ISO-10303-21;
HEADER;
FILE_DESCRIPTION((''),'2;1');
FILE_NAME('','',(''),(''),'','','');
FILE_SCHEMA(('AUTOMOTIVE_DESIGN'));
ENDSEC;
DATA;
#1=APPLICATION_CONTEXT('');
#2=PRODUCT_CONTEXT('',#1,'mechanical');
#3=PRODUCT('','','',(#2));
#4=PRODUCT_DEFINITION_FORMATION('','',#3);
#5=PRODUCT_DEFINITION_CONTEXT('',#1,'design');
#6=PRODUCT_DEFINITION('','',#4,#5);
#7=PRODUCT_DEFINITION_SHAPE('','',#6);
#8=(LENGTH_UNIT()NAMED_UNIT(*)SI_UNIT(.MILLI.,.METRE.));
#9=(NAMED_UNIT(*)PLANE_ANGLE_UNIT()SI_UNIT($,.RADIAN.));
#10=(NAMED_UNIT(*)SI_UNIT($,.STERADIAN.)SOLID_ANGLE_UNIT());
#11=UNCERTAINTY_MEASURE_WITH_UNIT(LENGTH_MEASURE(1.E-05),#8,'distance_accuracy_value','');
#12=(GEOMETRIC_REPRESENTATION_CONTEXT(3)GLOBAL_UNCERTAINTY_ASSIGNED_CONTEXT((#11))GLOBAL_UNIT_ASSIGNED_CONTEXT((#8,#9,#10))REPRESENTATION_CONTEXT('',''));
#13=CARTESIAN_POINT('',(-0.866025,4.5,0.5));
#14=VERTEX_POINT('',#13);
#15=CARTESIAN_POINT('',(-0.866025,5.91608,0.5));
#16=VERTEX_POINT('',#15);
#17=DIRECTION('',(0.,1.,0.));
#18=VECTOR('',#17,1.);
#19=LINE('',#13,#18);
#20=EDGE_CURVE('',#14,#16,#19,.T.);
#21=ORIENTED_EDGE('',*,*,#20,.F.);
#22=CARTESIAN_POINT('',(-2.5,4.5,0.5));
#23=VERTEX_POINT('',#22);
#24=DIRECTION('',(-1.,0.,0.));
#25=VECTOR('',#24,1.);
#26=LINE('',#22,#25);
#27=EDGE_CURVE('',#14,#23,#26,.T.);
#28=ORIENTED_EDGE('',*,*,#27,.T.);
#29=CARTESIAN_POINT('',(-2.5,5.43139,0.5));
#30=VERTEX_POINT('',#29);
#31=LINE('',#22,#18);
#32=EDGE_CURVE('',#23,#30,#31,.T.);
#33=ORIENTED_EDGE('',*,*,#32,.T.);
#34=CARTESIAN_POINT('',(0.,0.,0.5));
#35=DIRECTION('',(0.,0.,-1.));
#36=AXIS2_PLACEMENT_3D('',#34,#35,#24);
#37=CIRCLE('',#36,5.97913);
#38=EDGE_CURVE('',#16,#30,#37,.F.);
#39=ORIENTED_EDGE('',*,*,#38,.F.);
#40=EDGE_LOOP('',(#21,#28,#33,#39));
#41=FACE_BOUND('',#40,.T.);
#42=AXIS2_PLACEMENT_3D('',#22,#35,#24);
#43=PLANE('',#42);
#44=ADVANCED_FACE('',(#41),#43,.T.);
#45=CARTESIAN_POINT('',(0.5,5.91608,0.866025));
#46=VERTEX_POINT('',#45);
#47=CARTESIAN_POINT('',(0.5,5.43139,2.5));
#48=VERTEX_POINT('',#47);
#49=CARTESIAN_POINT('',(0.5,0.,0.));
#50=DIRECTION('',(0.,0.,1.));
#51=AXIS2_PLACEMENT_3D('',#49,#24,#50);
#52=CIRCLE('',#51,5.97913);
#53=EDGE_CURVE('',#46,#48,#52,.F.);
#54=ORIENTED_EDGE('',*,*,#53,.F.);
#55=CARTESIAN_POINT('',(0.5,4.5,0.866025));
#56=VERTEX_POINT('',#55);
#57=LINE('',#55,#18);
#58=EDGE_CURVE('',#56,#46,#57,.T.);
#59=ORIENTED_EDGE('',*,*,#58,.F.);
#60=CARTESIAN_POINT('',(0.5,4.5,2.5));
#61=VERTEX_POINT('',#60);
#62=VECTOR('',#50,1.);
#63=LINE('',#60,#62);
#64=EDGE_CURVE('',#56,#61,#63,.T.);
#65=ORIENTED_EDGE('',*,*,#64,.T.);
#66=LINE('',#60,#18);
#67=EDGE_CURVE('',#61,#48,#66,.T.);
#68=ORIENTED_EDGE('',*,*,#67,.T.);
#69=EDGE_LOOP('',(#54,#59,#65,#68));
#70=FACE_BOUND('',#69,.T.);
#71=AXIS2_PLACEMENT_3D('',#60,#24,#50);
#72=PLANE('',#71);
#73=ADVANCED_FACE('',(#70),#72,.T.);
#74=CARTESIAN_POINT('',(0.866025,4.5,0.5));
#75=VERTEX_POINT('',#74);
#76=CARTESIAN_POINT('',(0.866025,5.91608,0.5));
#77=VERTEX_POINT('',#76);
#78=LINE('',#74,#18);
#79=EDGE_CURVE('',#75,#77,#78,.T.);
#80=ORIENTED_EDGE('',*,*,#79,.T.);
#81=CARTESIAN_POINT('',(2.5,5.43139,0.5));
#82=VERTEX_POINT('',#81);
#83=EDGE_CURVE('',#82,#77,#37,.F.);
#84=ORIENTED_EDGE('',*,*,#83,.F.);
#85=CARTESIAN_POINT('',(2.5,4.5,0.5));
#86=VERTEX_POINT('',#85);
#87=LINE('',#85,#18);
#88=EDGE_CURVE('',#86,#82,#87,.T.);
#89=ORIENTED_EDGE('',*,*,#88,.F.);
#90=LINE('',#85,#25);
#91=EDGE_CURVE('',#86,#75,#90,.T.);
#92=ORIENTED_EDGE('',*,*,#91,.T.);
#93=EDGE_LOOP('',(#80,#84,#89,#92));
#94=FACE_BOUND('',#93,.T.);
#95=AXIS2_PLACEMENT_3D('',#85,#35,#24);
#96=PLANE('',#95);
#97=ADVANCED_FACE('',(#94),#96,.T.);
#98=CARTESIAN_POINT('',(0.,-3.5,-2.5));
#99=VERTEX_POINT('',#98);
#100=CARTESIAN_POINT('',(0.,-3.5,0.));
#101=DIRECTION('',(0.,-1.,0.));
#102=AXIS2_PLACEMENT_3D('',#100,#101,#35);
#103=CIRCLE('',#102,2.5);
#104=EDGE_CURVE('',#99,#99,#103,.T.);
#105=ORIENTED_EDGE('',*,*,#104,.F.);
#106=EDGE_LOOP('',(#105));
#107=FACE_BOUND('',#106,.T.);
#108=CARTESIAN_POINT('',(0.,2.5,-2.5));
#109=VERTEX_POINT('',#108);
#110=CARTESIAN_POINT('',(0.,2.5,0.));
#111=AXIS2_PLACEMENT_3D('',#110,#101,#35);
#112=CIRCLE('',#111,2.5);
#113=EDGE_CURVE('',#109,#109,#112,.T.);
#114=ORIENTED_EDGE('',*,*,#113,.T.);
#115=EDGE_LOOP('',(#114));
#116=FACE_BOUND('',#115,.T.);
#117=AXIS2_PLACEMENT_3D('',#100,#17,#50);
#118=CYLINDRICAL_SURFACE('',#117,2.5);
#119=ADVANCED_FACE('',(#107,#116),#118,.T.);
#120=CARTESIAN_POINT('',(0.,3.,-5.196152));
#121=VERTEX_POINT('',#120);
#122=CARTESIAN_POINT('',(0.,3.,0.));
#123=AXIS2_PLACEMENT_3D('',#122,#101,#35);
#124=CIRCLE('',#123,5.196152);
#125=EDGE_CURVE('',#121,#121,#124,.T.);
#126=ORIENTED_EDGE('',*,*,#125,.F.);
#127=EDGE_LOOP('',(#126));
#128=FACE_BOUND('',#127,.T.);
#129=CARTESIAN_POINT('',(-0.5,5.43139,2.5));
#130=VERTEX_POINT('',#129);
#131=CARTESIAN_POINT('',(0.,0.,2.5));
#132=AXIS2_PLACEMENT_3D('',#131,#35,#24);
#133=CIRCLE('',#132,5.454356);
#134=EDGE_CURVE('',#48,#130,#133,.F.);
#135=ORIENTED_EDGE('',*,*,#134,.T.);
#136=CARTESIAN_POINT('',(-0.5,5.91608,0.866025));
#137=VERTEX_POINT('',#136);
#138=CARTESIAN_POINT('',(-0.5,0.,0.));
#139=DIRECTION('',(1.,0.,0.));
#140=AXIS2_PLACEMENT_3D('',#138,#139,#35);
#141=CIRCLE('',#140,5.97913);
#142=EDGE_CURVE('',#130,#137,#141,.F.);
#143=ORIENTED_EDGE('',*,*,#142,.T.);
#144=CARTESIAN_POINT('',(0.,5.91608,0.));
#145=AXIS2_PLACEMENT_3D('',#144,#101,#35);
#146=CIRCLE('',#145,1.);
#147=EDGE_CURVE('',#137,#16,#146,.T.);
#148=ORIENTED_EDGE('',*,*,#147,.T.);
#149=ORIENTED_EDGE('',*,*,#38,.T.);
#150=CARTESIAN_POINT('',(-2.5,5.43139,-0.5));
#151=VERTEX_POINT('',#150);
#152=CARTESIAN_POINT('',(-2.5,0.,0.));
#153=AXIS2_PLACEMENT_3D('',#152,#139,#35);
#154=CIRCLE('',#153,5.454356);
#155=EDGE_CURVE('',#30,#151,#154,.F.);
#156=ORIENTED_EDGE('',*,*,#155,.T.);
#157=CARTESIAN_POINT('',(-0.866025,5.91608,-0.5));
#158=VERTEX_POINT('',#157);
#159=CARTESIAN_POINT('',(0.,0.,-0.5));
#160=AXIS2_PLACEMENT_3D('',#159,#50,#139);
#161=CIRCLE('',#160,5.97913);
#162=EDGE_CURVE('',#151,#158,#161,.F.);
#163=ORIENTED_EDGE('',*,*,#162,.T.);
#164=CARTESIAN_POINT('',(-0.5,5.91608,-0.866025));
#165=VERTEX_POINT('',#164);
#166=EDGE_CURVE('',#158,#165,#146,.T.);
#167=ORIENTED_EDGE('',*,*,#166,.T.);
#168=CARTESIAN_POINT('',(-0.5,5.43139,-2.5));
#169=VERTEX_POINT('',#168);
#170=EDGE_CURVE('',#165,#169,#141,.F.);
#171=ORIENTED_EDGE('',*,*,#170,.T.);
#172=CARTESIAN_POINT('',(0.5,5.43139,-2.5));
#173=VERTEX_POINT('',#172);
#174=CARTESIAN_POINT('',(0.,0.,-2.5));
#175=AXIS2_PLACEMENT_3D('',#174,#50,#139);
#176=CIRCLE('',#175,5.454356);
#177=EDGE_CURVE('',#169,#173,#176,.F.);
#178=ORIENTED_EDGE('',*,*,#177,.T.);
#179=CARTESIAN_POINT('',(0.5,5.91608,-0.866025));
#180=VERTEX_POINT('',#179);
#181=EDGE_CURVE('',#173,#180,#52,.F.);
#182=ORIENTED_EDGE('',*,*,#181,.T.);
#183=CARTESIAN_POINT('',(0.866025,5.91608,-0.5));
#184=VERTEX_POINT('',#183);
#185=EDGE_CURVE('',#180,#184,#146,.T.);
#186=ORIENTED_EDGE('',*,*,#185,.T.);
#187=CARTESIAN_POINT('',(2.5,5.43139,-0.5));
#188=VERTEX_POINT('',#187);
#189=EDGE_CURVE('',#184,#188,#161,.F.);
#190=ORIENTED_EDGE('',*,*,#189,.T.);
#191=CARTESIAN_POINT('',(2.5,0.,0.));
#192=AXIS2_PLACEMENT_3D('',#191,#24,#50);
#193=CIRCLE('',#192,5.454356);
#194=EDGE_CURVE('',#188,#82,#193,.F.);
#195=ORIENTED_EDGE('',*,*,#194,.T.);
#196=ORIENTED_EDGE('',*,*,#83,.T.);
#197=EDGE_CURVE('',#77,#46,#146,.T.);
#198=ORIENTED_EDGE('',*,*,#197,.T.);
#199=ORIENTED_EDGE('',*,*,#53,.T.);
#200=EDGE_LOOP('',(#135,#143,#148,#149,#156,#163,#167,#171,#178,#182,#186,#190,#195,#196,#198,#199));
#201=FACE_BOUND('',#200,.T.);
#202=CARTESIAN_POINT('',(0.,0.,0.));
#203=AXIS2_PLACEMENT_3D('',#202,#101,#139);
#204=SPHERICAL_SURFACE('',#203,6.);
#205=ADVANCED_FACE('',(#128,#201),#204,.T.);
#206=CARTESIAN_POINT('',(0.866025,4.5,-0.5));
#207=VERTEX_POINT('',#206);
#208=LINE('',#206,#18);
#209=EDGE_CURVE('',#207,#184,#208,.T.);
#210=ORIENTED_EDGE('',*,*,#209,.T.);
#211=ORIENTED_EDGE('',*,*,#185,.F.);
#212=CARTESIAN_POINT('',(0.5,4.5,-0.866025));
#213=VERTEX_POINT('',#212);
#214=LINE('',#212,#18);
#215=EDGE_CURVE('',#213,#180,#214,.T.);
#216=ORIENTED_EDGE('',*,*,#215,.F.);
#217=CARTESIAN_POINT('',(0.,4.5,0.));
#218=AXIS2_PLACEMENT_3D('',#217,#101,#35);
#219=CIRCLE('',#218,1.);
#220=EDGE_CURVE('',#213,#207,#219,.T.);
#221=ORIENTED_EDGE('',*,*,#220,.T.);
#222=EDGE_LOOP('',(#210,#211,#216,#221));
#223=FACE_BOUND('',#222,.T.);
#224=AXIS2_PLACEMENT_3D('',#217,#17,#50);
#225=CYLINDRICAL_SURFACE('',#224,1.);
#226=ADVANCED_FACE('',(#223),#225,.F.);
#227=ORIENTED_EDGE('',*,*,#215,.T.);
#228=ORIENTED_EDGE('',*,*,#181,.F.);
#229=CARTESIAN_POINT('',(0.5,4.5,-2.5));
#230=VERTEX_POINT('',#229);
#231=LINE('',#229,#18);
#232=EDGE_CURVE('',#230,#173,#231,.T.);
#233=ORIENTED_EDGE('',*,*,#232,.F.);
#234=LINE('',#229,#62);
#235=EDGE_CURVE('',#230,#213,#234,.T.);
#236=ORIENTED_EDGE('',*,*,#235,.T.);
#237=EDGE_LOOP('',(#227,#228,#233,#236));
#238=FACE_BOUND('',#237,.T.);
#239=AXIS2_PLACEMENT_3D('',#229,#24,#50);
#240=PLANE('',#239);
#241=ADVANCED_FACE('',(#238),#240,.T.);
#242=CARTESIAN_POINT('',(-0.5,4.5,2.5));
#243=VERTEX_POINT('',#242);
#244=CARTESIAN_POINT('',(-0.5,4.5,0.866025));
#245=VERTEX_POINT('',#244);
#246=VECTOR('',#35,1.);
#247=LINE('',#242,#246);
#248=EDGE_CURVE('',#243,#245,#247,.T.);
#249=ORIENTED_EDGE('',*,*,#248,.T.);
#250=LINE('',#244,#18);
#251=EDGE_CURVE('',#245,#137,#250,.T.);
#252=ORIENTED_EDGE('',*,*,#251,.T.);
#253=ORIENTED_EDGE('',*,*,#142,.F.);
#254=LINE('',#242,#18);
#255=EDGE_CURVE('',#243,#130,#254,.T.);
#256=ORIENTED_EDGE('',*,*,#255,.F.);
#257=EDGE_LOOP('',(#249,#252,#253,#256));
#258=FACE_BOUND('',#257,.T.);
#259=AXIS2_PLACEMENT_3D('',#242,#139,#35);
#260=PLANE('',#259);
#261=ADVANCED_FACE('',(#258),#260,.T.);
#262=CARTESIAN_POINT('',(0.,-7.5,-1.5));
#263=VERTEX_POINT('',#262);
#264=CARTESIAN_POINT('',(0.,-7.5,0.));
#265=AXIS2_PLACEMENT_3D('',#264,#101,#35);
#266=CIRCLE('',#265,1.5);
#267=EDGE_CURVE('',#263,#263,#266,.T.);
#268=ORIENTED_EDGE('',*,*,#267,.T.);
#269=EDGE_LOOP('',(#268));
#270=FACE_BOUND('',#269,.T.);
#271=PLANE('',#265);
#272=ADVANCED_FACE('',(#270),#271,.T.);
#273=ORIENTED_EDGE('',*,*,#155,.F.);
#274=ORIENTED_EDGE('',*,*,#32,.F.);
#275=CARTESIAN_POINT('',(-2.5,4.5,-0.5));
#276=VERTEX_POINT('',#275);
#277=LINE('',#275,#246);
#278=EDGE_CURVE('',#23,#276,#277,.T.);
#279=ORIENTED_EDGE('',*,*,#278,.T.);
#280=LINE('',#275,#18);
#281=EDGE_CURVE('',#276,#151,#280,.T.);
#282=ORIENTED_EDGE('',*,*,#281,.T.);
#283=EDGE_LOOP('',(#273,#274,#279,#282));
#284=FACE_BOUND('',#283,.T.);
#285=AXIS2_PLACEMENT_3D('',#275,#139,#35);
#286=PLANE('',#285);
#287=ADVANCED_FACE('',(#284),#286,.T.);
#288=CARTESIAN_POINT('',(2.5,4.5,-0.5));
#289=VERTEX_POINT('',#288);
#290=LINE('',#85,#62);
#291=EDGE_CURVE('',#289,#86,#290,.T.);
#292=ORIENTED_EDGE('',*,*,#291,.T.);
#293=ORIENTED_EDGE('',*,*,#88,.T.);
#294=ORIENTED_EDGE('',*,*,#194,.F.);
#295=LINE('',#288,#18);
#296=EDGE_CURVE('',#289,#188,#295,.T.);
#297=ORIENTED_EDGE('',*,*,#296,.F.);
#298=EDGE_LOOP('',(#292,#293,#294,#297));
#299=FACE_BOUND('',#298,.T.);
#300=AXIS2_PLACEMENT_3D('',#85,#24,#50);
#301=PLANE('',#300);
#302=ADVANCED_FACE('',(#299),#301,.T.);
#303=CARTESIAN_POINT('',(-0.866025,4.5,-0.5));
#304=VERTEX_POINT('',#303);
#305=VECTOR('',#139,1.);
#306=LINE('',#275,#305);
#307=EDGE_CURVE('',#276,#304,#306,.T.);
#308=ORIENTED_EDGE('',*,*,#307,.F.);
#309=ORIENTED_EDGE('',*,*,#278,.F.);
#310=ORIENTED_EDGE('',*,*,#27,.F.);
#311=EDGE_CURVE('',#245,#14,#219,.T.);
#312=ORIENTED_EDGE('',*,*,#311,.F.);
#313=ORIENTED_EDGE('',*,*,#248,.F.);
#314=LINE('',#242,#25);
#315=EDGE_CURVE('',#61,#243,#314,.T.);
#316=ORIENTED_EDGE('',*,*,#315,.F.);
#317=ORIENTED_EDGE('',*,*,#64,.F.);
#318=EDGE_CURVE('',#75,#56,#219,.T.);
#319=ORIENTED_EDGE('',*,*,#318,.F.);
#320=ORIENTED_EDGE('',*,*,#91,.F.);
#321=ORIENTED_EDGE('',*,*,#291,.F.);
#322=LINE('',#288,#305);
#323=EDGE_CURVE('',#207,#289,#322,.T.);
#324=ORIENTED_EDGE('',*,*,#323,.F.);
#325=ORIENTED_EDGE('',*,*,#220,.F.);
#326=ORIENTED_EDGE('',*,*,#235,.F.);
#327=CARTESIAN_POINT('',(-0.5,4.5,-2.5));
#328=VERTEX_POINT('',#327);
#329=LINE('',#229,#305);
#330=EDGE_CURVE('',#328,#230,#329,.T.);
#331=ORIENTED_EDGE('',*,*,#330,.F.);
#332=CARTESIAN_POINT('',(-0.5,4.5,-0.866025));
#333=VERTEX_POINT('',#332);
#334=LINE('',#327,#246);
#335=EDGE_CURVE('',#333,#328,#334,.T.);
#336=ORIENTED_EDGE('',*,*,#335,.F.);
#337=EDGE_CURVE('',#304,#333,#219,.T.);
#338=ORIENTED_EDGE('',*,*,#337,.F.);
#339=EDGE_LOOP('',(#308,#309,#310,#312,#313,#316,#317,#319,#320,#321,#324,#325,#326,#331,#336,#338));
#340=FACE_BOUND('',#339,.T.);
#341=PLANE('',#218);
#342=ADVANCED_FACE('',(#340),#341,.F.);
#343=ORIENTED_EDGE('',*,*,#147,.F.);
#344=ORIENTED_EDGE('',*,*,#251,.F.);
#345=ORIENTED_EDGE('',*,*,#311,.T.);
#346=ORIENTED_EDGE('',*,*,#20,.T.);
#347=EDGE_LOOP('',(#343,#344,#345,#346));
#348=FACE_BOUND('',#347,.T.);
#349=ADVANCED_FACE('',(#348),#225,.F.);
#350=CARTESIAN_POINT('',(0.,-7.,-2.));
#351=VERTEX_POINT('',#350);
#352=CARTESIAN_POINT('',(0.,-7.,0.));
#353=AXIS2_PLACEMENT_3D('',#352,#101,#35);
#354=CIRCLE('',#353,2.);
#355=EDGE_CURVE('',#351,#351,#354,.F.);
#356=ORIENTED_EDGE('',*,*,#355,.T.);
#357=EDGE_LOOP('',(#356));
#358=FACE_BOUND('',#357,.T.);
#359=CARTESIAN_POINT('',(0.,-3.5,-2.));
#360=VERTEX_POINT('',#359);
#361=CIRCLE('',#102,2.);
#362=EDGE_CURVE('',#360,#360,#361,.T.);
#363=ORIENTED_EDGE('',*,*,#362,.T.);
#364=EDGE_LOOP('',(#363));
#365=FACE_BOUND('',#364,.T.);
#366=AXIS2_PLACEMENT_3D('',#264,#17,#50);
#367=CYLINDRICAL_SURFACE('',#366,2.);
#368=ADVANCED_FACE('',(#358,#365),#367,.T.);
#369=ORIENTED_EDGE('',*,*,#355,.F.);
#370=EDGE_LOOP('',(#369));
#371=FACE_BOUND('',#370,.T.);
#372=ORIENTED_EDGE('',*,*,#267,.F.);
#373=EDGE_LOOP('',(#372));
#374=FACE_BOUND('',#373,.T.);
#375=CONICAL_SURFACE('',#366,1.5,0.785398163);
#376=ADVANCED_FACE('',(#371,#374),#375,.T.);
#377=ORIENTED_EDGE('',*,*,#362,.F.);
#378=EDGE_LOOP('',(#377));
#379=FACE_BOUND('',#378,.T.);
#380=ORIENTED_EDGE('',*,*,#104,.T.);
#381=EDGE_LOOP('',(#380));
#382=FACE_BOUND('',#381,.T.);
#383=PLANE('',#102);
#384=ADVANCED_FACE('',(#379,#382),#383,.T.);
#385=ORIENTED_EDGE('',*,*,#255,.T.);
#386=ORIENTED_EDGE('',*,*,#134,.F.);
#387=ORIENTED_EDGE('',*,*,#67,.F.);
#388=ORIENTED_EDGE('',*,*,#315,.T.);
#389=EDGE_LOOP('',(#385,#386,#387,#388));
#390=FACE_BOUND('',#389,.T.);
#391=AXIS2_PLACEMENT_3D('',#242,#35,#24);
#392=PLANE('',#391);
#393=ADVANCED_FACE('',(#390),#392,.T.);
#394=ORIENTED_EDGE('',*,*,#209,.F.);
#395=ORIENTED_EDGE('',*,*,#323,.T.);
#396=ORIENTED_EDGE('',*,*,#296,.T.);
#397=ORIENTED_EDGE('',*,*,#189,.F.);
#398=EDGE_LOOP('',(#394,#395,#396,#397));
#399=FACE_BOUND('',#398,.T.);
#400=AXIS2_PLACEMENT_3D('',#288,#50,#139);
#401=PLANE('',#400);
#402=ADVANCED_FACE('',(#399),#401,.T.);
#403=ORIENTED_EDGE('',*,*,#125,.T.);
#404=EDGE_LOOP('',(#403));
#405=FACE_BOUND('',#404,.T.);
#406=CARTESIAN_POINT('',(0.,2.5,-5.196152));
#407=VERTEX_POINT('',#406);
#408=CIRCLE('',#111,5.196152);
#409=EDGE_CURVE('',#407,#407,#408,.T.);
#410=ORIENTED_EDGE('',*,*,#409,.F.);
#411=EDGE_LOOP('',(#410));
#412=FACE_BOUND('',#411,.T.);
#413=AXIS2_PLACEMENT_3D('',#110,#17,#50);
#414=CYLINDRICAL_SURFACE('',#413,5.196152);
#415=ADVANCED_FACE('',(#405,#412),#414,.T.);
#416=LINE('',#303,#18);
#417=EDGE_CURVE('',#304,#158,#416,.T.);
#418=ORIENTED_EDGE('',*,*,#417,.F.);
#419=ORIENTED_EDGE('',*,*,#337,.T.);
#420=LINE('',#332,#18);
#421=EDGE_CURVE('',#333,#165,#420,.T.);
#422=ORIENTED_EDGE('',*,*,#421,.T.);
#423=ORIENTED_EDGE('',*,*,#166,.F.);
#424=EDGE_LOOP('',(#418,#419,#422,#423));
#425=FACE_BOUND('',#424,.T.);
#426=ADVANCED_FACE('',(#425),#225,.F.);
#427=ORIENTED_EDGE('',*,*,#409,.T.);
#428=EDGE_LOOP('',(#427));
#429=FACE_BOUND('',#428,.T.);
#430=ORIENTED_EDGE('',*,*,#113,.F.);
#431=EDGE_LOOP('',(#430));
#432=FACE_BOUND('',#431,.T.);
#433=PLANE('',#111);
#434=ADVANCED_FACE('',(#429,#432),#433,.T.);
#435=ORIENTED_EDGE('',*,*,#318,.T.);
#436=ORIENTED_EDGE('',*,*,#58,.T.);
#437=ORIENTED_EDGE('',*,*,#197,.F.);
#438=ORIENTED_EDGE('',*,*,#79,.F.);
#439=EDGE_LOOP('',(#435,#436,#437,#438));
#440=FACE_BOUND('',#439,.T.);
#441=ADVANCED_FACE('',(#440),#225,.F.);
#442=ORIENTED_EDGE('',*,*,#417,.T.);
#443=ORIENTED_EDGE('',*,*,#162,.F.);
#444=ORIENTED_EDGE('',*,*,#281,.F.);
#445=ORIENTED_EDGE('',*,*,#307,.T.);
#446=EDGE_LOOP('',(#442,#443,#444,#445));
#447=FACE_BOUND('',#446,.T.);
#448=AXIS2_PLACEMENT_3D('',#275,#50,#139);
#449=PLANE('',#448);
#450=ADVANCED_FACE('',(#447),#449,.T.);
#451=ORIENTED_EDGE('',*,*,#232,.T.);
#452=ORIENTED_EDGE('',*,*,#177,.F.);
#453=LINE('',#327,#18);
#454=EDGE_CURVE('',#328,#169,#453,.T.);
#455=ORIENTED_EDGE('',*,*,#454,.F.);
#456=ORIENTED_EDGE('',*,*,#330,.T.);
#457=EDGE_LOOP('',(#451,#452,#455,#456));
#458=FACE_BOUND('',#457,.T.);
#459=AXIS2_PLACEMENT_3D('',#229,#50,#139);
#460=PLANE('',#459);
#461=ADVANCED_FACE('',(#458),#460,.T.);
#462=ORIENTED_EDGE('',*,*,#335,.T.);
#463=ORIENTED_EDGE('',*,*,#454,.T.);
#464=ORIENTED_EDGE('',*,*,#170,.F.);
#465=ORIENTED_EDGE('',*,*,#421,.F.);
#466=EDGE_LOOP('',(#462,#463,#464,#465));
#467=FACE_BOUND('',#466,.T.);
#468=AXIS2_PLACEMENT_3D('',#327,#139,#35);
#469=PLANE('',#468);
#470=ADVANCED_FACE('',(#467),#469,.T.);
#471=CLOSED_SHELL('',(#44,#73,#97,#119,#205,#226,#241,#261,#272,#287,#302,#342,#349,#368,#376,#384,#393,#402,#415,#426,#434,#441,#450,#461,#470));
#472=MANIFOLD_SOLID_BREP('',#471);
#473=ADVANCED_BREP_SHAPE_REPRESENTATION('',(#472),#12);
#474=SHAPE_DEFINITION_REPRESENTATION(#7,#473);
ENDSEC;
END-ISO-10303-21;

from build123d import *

# Parameters (mm, degrees)
ESQUISSE2_R             = 5.196152423
BOSS_EXTRU_1_DEPTH      = 0.5
ESQUISSE3_R             = 2.5
BOSS_EXTRU_2_DEPTH      = 6
ESQUISSE4_R             = 2
BOSS_EXTRU_3_DEPTH      = 4
CHANFREIN1_SIZE         = 0.5
ENL_V_MAT_EXTRU_2_DEPTH = 2


with BuildPart() as part:
    # Esquisse1 → Base-Révolution (revolve)
    with BuildSketch(Plane.XY):
        with BuildLine():
            Line((0, 3), (5.196152423, 3))
            ThreePointArc((5.196152423, 3), (3, 5.196152423), (0, 6))
            Line((0, 6), (0, 3))
        make_face()
    revolve(axis=Axis((0, 0, 0), (0, 1, 0)))

    # Esquisse2 → Boss.-Extru.1 (add)
    with BuildSketch(Plane.XZ.offset(-3)):
        Circle(ESQUISSE2_R)
    extrude(amount=BOSS_EXTRU_1_DEPTH)

    # Esquisse3 → Boss.-Extru.2 (add)
    with BuildSketch(Plane.XZ.offset(-2.5)):
        Circle(ESQUISSE3_R)
    extrude(amount=BOSS_EXTRU_2_DEPTH)

    # Esquisse4 → Boss.-Extru.3 (add)
    with BuildSketch(Plane.XZ.offset(3.5)):
        Circle(ESQUISSE4_R)
    extrude(amount=BOSS_EXTRU_3_DEPTH)

    # Chanfrein1
    chanfrein1_edges = [part.edges().sort_by_distance(p)[0] for p in [
        (-2, -7.5, 0),
    ]]
    chamfer(chanfrein1_edges, length=CHANFREIN1_SIZE)

    # Esquisse5 → Enlèv. mat.-Extru.2 (cut)
    with BuildSketch(Plane.XZ.offset(-6.5)):
        with BuildLine():
            Line((-0.5, -2.5), (-0.5, -0.866025404))
            ThreePointArc((-0.5, -0.866025404), (-0.707106781, -0.707106781), (-0.866025404, -0.5))
            Line((-0.866025404, -0.5), (-2.5, -0.5))
            Line((-2.5, -0.5), (-2.5, 0.5))
            Line((-2.5, 0.5), (-0.866025404, 0.5))
            ThreePointArc((-0.866025404, 0.5), (-0.707106781, 0.707106781), (-0.5, 0.866025404))
            Line((-0.5, 0.866025404), (-0.5, 2.5))
            Line((-0.5, 2.5), (0.5, 2.5))
            Line((0.5, 2.5), (0.5, 0.866025404))
            ThreePointArc((0.5, 0.866025404), (0.707106781, 0.707106781), (0.866025404, 0.5))
            Line((0.866025404, 0.5), (2.5, 0.5))
            Line((2.5, 0.5), (2.5, -0.5))
            Line((2.5, -0.5), (0.866025404, -0.5))
            ThreePointArc((0.866025404, -0.5), (0.707106781, -0.707106781), (0.5, -0.866025404))
            Line((0.5, -0.866025404), (0.5, -2.5))
            Line((0.5, -2.5), (-0.5, -2.5))
        make_face()
    extrude(amount=ENL_V_MAT_EXTRU_2_DEPTH, mode=Mode.SUBTRACT)


solid = part.part
